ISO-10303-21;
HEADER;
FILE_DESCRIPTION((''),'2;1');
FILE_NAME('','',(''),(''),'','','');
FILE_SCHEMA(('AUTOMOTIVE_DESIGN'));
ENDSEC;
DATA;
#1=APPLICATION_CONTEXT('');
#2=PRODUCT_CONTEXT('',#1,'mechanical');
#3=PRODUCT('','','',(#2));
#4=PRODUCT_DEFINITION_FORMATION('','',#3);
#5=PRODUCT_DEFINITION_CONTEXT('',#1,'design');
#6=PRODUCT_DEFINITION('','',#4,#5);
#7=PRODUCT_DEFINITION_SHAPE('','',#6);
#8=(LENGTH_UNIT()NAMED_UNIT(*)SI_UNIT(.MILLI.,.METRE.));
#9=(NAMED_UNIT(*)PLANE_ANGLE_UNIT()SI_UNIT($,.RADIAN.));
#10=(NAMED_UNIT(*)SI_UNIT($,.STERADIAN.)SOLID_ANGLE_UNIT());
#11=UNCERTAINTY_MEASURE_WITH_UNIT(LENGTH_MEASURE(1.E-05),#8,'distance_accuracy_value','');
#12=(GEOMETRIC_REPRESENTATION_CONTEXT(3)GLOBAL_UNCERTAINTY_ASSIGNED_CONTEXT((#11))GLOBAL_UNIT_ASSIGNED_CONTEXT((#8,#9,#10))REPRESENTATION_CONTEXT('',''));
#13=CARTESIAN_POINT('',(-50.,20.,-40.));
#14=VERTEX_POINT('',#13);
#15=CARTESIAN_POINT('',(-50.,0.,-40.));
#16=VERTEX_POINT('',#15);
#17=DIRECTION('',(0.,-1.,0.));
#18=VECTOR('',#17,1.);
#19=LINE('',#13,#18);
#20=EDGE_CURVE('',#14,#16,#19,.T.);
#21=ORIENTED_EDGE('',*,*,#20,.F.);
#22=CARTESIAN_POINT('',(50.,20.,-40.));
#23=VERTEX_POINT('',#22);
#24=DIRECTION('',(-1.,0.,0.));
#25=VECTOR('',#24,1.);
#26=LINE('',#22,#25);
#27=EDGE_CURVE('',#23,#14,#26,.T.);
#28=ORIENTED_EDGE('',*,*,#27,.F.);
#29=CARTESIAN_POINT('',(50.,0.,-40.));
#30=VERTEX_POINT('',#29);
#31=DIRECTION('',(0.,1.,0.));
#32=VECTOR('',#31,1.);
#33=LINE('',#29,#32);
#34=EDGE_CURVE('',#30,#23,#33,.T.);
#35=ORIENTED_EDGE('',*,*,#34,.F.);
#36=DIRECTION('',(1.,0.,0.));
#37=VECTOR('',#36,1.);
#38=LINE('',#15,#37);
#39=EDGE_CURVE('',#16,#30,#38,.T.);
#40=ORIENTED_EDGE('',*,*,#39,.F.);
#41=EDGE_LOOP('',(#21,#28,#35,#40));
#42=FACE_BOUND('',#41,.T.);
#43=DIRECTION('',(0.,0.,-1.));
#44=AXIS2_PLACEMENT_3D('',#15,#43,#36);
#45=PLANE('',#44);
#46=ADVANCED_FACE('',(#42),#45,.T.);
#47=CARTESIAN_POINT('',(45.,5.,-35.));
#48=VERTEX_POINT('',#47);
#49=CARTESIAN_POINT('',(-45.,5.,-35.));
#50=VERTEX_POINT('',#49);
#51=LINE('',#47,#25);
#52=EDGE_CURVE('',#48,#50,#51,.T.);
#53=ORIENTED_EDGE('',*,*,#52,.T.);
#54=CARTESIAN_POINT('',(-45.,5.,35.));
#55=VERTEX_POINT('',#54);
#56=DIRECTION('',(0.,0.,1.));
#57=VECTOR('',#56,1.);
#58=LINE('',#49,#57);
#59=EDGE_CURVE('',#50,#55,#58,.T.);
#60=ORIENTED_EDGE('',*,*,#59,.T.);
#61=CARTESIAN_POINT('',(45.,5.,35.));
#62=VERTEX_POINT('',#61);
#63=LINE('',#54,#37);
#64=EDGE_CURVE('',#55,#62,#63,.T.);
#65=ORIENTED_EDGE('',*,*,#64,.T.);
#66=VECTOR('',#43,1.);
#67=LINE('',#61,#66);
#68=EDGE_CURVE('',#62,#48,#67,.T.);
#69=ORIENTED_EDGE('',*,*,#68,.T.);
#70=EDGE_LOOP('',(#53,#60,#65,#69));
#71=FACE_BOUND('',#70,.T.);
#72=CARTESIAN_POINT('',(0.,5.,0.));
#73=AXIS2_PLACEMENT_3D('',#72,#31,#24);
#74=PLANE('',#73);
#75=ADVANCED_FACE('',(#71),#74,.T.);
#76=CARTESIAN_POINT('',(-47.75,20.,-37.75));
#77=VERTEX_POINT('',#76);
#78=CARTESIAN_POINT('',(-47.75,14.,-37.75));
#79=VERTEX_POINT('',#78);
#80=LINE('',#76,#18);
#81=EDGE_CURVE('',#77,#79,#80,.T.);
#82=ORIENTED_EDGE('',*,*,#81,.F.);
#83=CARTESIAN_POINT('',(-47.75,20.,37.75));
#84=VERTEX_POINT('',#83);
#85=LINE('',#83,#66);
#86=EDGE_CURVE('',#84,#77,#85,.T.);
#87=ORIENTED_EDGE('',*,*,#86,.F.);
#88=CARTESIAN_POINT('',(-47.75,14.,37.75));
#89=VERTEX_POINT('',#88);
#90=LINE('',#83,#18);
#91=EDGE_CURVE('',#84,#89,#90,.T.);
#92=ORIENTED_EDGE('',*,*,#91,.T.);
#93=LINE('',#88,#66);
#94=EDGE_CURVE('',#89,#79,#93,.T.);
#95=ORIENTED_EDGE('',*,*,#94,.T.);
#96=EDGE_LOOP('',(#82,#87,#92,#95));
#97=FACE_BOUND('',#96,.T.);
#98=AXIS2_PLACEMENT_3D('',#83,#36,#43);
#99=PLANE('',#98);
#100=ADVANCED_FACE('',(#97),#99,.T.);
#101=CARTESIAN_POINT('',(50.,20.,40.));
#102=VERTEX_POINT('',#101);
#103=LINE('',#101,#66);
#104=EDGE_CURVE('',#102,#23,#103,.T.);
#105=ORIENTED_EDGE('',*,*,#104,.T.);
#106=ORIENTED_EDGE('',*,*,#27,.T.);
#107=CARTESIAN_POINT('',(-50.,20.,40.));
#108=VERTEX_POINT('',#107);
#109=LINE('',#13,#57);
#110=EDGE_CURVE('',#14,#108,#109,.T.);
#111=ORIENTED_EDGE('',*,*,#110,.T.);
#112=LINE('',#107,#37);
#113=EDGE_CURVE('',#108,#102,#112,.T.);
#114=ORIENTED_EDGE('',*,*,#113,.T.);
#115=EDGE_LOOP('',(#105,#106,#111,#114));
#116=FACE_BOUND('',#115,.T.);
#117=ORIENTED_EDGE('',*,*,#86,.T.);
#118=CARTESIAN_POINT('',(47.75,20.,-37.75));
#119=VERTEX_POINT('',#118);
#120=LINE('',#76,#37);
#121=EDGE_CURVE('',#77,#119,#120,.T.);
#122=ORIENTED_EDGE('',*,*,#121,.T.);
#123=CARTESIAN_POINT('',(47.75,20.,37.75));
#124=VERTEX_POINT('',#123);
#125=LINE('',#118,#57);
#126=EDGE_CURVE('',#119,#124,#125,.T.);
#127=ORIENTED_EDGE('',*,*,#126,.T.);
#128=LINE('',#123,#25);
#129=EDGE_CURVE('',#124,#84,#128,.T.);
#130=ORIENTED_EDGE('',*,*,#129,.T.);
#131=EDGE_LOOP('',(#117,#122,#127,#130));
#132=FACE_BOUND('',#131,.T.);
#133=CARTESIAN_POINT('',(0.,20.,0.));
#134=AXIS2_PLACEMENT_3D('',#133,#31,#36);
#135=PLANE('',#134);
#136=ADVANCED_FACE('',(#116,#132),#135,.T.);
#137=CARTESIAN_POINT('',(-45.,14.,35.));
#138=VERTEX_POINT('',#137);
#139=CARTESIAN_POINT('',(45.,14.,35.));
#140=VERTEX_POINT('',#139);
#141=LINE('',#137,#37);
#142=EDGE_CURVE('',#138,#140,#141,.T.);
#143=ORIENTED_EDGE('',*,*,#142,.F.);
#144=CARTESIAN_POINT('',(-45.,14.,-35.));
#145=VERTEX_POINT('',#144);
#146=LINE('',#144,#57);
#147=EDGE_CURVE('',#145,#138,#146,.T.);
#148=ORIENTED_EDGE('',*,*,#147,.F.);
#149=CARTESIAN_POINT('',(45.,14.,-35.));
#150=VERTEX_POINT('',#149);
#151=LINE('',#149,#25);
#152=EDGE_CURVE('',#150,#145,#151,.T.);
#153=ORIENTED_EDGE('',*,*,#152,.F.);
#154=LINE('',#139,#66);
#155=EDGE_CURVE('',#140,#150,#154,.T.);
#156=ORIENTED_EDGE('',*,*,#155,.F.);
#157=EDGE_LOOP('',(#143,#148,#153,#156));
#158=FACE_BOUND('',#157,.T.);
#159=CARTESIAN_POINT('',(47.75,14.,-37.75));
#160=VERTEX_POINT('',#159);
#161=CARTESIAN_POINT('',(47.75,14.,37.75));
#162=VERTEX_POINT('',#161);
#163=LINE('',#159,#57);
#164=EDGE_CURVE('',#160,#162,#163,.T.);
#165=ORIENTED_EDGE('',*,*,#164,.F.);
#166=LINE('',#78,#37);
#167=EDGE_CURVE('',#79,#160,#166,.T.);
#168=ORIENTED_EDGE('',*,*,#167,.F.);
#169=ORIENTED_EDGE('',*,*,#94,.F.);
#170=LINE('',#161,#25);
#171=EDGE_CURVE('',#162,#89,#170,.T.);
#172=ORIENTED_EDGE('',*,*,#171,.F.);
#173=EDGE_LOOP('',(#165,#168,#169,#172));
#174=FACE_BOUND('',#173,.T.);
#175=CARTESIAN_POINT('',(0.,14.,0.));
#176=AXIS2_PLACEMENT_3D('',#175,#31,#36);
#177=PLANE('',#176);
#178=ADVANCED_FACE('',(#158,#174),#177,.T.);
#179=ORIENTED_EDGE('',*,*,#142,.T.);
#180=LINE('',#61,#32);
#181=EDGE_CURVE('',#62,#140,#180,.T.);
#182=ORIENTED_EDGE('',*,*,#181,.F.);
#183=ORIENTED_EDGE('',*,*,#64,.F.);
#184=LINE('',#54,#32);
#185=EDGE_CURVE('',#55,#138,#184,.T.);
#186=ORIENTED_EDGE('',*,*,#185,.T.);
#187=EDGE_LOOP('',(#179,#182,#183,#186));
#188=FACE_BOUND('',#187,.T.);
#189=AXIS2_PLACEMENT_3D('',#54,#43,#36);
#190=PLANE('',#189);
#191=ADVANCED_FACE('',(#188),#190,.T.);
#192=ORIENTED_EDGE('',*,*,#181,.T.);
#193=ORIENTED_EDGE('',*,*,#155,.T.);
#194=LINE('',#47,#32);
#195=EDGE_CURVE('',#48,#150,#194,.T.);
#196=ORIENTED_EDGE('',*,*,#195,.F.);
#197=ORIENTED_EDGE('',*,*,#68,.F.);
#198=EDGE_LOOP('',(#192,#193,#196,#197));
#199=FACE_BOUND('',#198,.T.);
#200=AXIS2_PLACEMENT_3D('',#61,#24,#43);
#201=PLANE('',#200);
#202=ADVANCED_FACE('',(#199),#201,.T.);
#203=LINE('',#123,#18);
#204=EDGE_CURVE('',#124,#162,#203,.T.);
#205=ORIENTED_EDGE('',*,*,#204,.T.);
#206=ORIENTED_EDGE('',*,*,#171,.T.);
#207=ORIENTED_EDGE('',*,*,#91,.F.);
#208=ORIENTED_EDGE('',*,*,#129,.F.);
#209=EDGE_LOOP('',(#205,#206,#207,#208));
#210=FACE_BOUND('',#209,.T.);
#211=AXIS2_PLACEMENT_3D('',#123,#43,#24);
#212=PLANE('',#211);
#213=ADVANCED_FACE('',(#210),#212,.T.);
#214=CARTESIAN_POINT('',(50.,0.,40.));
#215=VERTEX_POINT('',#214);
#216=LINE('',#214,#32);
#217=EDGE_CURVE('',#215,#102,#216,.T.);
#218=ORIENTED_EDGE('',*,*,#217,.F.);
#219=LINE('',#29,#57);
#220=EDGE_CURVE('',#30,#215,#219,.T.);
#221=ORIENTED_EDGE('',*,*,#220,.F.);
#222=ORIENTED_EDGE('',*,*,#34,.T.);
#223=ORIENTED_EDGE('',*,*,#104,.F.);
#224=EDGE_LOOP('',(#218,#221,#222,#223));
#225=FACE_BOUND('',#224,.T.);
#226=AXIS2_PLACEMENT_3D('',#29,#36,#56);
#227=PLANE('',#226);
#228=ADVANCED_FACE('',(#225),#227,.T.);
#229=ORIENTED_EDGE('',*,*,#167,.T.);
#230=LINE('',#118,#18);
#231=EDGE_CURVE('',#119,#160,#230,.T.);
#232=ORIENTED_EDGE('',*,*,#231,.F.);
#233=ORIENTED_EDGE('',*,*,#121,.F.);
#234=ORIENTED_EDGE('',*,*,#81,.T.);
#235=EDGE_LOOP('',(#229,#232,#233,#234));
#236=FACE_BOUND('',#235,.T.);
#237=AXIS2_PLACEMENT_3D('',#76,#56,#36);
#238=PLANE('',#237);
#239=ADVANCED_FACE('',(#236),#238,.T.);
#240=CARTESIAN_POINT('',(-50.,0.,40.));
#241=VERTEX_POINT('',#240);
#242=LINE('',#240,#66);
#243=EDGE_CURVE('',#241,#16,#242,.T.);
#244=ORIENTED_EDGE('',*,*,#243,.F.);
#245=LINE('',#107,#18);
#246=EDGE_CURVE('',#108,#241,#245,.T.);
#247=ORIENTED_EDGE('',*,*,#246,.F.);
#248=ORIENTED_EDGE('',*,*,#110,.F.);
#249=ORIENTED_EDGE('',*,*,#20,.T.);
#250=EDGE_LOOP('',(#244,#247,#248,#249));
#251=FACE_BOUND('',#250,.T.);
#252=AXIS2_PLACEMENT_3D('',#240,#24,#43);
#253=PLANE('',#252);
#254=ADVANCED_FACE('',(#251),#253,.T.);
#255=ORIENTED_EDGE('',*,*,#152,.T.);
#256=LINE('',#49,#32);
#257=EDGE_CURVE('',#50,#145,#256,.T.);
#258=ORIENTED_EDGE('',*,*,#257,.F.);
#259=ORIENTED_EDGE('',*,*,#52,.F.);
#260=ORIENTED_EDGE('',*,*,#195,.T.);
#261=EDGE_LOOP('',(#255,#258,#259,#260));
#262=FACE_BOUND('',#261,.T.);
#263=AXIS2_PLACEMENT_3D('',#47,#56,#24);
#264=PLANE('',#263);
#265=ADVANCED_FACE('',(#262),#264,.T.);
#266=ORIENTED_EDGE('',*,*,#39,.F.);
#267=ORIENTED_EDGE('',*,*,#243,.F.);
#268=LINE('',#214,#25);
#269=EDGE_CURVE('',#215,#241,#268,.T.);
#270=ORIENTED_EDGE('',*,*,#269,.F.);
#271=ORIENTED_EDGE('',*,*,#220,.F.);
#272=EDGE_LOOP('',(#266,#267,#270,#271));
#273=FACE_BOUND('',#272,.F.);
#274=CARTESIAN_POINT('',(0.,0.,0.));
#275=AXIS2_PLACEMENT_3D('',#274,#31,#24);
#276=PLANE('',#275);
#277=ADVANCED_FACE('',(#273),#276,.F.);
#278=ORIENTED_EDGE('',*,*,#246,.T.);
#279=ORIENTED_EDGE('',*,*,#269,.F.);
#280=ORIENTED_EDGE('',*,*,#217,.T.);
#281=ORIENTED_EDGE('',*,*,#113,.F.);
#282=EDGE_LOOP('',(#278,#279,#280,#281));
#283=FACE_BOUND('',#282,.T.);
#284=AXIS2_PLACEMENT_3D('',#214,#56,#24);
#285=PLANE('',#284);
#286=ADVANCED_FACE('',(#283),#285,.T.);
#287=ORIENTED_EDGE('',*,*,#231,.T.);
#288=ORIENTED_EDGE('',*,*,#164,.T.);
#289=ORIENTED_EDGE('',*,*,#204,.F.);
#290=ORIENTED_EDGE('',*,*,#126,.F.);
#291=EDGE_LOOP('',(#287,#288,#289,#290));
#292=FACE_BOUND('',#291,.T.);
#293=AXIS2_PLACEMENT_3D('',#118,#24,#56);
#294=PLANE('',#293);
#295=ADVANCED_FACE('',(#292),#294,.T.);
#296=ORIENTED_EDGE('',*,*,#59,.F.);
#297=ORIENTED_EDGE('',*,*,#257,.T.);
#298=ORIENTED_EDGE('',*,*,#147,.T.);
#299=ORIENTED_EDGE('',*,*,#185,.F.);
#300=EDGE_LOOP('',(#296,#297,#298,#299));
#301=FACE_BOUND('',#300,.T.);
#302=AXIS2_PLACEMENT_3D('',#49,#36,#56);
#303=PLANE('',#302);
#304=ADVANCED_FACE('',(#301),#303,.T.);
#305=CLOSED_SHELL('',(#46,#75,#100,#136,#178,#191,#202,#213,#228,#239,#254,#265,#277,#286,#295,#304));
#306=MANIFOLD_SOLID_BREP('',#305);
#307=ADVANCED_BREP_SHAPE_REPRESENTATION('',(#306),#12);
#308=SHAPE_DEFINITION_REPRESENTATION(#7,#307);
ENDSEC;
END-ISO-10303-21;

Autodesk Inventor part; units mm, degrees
ref_plane "YZ Plane" through (0, 0, 0) normal (1, 0, 0) x (0, 1, 0)
ref_plane "XZ Plane" through (0, 0, 0) normal (0, 1, 0) x (-1, 0, 0)
ref_plane "XY Plane" through (0, 0, 0) normal (0, 0, 1) x (1, 0, 0)
sketch "Skizze1" plane through (0, 0, 0) normal (0, 1, 0) x (-1, 0, 0)
  line L0 (-50, 40) -> (50, 40)
  line L1 (50, 40) -> (50, -40)
  line L2 (50, -40) -> (-50, -40)
  line L3 (-50, -40) -> (-50, 40)
  line L4 (-50, 40) -> (50, -40) construction
  line L5 (50, 40) -> (-50, -40) construction
  point P0 (0, 0)
  dimension "d0" = 100
  dimension "d1" = 80
extrude "Extrusion1" add sketch "Skizze1" along normal blind 5
sketch "Skizze2" plane through (0, 5, 0) normal (0, 1, 0) x (1, 0, 0)
  line L0 (-50, -40) -> (50, -40) projected
  line L1 (50, -40) -> (50, 40) projected
  line L2 (50, 40) -> (-50, 40) projected
  line L3 (-50, 40) -> (-50, -40) projected
  line L4 (-45, -35) -> (45, -35)
  line L5 (45, -35) -> (45, 35)
  line L6 (45, 35) -> (-45, 35)
  line L7 (-45, 35) -> (-45, -35)
  line L8 (-45, -35) -> (45, 35) construction
  line L9 (45, -35) -> (-45, 35) construction
  point P0 (0, 0)
  dimension "d4" = 90
  dimension "d5" = 70
extrude "Extrusion2" add sketch "Skizze2" along normal blind 15
sketch "Skizze3" plane through (0, 20, 0) normal (0, 1, 0) x (1, 0, 0)
  line L0 (47.75, -37.75) -> (-47.75, -37.75)
  line L1 (-47.75, -37.75) -> (-47.75, 37.75)
  line L2 (-47.75, 37.75) -> (47.75, 37.75)
  line L3 (47.75, 37.75) -> (47.75, -37.75)
  line L4 (47.75, -37.75) -> (-47.75, 37.75) construction
  line L5 (-47.75, -37.75) -> (47.75, 37.75) construction
  line L6 (-45, 35) -> (-45, -35) projected
  line L7 (-45, -35) -> (45, -35) projected
  line L8 (45, -35) -> (45, 35) projected
  line L9 (45, 35) -> (-45, 35) projected
  point P0 (0, 0)
  dimension "d8" = 95.5
  dimension "d9" = 75.5
extrude "Extrusion3" cut sketch "Skizze3" against normal blind 6
properties part number "bottom"
